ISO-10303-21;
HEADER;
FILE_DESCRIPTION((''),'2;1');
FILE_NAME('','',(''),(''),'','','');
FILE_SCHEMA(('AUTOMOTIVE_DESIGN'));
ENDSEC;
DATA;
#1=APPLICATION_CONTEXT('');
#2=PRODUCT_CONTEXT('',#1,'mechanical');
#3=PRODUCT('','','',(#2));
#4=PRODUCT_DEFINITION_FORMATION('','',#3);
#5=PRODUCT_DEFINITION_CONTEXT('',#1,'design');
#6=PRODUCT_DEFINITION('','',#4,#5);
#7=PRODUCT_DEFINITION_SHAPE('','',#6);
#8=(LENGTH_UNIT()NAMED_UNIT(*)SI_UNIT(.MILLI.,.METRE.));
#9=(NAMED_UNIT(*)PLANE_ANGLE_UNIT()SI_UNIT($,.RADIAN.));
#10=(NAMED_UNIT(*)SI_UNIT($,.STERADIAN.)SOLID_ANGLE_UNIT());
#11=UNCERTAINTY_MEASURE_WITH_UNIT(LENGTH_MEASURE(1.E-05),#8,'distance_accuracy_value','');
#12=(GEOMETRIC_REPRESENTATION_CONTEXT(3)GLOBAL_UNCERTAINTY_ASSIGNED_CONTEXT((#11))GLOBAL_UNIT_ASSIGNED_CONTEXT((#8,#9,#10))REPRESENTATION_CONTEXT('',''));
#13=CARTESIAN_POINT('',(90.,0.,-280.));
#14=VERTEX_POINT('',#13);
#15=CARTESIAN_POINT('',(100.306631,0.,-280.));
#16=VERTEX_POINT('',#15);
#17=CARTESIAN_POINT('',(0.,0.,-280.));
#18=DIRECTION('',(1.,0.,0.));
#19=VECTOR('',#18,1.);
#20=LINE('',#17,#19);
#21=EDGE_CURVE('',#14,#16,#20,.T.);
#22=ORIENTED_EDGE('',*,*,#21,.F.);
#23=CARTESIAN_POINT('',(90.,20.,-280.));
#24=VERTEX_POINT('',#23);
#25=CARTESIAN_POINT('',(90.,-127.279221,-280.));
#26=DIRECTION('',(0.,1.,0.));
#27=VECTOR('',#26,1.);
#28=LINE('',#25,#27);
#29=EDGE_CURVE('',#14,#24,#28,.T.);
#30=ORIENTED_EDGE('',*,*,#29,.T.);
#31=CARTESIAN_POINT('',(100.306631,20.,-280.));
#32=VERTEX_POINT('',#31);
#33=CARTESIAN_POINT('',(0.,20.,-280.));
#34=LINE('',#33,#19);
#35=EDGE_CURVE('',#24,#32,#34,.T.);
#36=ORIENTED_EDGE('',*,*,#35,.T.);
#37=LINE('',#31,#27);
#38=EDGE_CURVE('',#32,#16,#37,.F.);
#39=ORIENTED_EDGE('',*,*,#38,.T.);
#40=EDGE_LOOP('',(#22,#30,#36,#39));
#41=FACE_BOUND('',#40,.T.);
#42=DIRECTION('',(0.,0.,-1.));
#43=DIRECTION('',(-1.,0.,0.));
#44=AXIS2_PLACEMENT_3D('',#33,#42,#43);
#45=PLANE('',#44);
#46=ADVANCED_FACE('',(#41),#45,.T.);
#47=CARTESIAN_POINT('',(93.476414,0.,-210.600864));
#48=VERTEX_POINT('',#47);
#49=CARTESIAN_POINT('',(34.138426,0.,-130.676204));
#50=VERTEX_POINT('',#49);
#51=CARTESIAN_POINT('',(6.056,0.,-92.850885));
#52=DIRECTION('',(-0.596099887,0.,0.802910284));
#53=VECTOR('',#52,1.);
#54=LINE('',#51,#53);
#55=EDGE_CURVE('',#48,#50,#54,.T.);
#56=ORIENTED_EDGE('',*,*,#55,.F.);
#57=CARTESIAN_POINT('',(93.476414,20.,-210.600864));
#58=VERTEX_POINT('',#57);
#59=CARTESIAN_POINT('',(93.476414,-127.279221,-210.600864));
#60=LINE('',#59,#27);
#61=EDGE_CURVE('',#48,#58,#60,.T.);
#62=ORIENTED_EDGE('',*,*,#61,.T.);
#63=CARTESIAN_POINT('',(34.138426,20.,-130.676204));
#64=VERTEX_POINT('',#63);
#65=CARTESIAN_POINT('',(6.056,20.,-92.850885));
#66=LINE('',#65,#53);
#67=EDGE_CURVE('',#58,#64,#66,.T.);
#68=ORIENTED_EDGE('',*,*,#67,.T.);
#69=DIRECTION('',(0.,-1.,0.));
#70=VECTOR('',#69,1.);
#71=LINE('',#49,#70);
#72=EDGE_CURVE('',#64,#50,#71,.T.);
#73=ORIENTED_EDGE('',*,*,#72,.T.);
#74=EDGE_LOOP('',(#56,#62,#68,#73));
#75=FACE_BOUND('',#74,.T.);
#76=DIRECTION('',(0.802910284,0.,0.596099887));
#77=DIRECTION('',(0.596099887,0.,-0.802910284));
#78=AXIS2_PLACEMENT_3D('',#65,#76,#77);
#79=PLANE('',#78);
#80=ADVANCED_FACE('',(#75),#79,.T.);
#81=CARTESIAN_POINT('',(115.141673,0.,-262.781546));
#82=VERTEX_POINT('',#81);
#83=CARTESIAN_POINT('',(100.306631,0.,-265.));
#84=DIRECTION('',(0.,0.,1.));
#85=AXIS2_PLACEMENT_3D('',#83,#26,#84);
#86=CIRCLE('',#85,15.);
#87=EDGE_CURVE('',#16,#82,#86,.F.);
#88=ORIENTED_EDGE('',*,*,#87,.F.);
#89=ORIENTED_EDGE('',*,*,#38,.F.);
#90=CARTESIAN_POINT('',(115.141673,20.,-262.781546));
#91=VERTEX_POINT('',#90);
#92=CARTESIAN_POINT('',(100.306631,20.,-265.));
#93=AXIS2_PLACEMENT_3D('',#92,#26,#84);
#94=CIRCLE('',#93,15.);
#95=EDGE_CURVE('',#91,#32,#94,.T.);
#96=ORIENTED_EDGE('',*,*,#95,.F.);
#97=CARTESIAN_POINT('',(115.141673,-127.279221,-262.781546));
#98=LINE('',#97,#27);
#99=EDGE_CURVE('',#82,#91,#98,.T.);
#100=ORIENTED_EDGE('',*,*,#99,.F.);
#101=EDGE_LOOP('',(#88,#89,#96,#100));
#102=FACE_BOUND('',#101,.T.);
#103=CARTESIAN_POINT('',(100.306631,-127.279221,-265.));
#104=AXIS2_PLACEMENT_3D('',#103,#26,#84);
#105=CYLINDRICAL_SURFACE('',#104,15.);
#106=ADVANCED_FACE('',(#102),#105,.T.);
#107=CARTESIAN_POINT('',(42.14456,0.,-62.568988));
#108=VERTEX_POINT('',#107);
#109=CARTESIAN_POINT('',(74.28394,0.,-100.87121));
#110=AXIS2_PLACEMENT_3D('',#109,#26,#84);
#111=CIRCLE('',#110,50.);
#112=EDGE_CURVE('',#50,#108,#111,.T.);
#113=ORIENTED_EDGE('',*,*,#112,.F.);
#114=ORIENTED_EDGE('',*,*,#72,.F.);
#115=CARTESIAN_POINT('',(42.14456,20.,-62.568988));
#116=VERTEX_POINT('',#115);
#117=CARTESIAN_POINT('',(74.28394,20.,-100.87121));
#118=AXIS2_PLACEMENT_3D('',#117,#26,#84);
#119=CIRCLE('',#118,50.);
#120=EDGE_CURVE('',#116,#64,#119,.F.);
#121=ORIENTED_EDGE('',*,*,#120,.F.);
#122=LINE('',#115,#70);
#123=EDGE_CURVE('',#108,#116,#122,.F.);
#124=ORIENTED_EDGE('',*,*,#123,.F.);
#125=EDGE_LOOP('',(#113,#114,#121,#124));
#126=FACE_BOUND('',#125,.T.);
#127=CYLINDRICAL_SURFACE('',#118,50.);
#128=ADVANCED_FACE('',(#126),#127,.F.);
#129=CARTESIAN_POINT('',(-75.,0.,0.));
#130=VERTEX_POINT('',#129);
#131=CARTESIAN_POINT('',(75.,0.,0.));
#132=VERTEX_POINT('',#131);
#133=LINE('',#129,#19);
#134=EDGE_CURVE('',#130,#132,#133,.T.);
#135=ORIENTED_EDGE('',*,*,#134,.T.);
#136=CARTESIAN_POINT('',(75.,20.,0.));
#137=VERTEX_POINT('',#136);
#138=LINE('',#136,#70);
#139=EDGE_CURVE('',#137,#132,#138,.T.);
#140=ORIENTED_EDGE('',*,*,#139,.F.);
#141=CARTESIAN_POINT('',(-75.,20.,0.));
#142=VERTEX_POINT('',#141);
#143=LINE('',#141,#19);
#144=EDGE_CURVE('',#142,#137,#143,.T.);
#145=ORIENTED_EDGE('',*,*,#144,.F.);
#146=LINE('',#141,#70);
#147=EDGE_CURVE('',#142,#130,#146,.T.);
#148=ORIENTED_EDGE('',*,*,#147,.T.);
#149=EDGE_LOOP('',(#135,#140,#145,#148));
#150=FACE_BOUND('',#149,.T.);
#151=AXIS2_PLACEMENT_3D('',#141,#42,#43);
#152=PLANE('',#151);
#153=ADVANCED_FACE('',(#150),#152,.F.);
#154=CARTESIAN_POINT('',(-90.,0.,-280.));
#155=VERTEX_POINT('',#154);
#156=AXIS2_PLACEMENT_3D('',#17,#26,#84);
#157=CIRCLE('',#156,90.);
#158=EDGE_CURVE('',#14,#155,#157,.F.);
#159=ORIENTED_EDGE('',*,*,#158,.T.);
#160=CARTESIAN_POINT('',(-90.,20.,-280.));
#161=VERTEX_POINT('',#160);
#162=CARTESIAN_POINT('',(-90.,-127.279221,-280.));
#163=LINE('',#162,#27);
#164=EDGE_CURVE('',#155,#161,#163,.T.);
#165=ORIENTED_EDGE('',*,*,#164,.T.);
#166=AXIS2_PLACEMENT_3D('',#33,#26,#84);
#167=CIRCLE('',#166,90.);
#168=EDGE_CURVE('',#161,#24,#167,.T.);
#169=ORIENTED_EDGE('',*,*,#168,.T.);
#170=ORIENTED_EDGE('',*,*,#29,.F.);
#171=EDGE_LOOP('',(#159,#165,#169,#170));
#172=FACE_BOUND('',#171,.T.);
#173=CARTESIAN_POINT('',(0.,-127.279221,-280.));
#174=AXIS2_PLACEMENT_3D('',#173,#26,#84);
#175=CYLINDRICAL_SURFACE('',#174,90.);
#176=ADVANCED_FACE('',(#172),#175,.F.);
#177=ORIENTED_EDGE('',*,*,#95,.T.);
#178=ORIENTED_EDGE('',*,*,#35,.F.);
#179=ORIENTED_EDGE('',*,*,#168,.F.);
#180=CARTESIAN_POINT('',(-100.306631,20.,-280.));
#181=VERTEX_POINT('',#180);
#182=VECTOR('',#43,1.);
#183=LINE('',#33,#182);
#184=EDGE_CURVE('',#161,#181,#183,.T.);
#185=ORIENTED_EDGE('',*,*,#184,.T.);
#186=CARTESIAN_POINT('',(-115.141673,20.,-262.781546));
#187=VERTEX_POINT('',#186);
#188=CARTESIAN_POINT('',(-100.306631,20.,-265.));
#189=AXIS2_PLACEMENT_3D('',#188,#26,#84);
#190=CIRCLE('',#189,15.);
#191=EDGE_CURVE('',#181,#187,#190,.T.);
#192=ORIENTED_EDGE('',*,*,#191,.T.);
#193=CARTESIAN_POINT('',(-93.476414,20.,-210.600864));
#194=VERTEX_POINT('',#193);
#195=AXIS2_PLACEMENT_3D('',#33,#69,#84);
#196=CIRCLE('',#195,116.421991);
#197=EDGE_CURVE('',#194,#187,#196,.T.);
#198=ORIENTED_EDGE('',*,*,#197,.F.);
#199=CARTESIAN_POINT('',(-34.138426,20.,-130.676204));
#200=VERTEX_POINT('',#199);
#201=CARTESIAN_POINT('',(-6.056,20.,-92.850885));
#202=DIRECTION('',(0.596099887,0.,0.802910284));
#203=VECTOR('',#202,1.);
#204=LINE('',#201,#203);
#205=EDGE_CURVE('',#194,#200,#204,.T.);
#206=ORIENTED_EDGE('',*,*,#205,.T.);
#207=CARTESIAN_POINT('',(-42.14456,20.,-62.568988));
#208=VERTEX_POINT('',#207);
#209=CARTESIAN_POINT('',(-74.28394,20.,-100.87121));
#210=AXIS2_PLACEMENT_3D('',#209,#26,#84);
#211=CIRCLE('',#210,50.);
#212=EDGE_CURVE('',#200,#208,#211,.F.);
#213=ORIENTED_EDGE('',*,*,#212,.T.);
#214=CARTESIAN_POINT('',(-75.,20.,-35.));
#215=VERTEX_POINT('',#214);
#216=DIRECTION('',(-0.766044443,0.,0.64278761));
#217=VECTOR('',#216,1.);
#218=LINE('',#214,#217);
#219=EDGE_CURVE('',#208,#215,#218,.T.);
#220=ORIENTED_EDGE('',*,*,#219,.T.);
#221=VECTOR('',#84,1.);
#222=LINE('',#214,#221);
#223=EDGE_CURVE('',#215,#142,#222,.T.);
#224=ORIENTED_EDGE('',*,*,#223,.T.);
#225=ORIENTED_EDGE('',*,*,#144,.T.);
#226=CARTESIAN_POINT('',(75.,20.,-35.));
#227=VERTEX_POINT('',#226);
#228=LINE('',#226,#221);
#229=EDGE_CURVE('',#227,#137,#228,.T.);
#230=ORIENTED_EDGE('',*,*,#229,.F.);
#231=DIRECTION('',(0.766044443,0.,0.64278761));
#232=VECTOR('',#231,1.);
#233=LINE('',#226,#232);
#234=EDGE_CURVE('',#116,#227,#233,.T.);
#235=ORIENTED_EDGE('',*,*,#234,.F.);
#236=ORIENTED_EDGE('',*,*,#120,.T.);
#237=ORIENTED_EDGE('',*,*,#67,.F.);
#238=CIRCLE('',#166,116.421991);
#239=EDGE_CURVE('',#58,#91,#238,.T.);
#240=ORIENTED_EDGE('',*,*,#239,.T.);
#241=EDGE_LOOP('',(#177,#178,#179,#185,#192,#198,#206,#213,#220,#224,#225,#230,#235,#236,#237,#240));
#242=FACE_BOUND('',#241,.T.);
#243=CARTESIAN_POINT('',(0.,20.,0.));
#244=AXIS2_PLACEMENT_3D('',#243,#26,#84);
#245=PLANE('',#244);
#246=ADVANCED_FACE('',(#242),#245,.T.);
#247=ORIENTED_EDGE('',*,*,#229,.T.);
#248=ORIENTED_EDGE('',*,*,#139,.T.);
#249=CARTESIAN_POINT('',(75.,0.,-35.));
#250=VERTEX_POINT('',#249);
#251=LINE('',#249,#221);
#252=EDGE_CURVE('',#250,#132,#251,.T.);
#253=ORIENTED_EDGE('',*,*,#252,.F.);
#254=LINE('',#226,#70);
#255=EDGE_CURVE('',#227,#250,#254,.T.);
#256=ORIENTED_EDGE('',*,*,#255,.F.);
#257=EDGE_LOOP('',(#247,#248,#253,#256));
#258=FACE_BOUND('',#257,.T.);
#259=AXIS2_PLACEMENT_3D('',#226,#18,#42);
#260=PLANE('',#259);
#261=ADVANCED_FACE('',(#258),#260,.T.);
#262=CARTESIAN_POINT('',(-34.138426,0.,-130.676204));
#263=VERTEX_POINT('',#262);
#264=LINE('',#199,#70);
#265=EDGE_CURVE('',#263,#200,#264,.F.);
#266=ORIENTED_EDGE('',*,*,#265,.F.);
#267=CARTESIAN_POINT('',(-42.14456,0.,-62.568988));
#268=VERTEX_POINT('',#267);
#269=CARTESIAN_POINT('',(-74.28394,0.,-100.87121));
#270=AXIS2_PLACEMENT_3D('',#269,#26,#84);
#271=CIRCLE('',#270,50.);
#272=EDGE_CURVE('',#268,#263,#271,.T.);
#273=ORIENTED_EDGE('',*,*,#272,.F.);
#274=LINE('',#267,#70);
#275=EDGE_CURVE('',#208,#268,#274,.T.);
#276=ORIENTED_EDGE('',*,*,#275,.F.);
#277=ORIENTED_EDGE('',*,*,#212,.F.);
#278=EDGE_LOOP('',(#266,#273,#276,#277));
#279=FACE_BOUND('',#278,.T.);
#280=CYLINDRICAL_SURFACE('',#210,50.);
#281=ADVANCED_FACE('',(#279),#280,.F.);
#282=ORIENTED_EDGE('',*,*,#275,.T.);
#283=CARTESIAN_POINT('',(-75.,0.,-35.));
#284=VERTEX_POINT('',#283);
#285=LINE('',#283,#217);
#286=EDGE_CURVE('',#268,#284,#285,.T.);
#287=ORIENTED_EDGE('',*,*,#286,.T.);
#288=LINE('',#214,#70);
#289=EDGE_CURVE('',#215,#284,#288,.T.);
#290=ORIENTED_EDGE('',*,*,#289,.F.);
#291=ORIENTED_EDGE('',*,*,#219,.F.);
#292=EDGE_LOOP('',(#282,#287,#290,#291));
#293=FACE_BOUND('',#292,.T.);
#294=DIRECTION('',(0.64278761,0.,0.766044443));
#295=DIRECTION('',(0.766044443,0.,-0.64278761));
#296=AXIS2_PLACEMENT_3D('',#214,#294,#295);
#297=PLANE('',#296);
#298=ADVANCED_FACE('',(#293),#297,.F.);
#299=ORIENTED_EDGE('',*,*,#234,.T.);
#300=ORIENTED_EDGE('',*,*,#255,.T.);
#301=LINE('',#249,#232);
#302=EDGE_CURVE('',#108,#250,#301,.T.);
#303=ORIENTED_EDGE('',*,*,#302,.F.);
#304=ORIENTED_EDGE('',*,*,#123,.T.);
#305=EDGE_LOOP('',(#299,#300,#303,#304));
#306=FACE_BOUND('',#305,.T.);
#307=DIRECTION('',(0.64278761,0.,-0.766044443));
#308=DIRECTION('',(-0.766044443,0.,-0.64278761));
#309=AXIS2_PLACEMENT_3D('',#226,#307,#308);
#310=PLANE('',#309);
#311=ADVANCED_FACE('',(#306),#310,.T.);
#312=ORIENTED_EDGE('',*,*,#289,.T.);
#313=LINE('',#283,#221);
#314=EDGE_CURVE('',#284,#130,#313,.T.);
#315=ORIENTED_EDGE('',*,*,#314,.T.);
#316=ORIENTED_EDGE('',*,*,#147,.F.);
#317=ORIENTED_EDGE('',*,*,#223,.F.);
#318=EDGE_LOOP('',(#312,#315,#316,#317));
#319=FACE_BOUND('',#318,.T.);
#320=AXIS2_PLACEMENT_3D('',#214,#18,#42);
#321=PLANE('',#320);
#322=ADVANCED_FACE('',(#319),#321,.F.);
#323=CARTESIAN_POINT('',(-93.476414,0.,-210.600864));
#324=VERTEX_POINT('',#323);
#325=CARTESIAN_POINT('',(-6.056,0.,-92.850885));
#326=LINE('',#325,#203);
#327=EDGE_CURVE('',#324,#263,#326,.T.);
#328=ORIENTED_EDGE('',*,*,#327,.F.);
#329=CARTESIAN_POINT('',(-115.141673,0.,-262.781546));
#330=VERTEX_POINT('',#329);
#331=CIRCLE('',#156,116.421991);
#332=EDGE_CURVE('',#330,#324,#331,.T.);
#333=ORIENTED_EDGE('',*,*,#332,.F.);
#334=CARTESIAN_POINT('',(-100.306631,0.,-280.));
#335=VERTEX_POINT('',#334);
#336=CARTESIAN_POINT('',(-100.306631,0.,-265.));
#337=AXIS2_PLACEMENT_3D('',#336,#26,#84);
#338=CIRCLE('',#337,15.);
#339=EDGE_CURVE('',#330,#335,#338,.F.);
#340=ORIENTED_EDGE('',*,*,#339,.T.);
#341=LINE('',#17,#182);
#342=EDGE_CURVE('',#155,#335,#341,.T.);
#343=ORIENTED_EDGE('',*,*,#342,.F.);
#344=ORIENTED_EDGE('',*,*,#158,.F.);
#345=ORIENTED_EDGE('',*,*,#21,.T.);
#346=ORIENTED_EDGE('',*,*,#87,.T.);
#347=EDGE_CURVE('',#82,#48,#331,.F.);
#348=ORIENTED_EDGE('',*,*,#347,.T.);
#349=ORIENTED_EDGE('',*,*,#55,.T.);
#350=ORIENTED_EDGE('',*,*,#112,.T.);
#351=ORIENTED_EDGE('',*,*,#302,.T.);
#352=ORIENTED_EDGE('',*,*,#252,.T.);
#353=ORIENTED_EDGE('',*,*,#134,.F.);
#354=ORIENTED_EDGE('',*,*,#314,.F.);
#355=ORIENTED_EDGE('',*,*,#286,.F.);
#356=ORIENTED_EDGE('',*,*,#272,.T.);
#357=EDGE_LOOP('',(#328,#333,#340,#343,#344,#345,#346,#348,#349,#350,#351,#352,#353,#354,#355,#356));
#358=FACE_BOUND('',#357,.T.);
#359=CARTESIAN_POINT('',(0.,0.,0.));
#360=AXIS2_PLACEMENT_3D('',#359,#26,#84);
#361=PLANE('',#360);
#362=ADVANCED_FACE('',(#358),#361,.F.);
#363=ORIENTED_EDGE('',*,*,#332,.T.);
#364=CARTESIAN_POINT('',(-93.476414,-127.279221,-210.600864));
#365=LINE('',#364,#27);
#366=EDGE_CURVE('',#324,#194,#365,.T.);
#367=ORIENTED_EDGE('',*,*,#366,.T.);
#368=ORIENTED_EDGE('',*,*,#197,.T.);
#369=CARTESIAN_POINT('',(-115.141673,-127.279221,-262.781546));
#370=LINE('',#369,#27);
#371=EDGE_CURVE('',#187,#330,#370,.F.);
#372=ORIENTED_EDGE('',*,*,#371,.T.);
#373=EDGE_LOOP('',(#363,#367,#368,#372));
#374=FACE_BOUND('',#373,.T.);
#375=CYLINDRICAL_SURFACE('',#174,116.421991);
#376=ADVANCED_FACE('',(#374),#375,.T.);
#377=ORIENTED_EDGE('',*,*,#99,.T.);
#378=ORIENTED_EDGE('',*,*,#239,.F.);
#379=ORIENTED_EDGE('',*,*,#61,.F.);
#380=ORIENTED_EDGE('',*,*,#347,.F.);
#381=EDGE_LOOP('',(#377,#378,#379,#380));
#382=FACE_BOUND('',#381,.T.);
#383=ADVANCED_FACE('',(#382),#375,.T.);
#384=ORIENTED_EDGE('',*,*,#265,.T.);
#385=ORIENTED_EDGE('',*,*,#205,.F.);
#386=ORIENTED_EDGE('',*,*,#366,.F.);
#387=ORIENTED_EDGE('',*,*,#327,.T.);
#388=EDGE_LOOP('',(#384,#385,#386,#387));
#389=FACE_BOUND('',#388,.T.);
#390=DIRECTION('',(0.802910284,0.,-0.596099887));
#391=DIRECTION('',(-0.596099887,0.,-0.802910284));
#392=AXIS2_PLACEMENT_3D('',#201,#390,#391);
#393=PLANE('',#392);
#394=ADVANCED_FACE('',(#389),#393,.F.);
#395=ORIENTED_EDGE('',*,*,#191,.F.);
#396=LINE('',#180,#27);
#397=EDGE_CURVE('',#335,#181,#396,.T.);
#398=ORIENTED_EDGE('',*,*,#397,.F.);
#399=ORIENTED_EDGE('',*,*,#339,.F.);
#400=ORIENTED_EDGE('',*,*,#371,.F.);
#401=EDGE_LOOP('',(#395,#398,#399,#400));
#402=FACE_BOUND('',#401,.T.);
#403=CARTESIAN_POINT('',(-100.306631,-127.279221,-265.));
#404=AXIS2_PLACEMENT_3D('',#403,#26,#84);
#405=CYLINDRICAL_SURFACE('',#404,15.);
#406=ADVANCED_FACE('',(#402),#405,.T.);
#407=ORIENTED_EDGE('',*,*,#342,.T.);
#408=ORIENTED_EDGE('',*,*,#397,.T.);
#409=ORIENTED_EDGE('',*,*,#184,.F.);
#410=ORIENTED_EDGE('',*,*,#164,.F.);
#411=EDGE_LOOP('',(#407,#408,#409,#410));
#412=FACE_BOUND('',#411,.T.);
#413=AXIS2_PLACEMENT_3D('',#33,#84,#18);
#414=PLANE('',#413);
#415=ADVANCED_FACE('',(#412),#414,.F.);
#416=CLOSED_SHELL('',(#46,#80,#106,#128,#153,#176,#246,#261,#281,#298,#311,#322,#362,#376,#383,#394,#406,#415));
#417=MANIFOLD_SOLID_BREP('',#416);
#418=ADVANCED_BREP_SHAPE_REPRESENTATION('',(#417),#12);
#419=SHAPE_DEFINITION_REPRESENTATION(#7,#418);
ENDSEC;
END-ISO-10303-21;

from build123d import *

# Parameters (mm, degrees)
BOSS_EXTRUDE1_DEPTH  = 20
FILLET1_R            = 50
CUT_EXTRUDE3_DEPTH   = 20
FILLET3_R            = 15
FILLET1_OF_MIRROR2_R = 50
FILLET3_OF_MIRROR2_R = 15


with BuildPart() as part:
    # Sketch1 → Boss-Extrude1 (new body)
    with BuildSketch(Plane(origin=(0, 0, 0), x_dir=(1, 0, 0), z_dir=(0, 1, 0))):
        Polygon((-75, 35), (-75, 0), (0, 0), (0, 280), (-145, 280), (-6.056000119, 92.850884872), align=None)
    boss_extrude1 = extrude(amount=BOSS_EXTRUDE1_DEPTH)

    # Fillet1
    fillet1_edges = [part.edges().sort_by_distance(p)[0] for p in [
        (-6.056000119, 10, -92.850884872),
    ]]
    fillet(fillet1_edges, radius=FILLET1_R)

    # Sketch5 → Cut-Extrude3 (cut)
    with BuildSketch(Plane(origin=(0, 20, 0), x_dir=(1, 0, 0), z_dir=(0, 1, 0))):
        with BuildLine():
            Line((0, 190), (0, 280))
            Line((0, 280), (-90, 280))
            ThreePointArc((-90, 280), (-63.639610307, 216.360389693), (0, 190))
        make_face()
        with BuildLine():
            Line((-145, 280), (-93.476414041, 210.60086417))
            ThreePointArc((-93.476414041, 210.60086417), (-110.536849713, 243.452976984), (-116.421991204, 280))
            Line((-116.421991204, 280), (-145, 280))
        make_face()
    cut_extrude3 = extrude(amount=-CUT_EXTRUDE3_DEPTH, mode=Mode.SUBTRACT)

    # Fillet3
    fillet3_edges = [part.edges().sort_by_distance(p)[0] for p in [
        (-116.421991204, 10, -280),
    ]]
    fillet(fillet3_edges, radius=FILLET3_R)

    # Mirror2: Boss-Extrude1, Cut-Extrude3 across plane
    add(boss_extrude1.mirror(Plane(origin=(0, 20, 0), x_dir=(0, 0, 1), z_dir=(-1, 0, 0))))
    add(cut_extrude3.mirror(Plane(origin=(0, 20, 0), x_dir=(0, 0, 1), z_dir=(-1, 0, 0))), mode=Mode.SUBTRACT)

    # Fillet1 of Mirror2
    fillet1_of_mirror2_edges = [part.edges().sort_by_distance(p)[0] for p in [
        (6.056000119, 10, -92.850884872),
    ]]
    fillet(fillet1_of_mirror2_edges, radius=FILLET1_OF_MIRROR2_R)

    # Fillet3 of Mirror2
    fillet3_of_mirror2_edges = [part.edges().sort_by_distance(p)[0] for p in [
        (116.421991204, 10, -280),
    ]]
    fillet(fillet3_of_mirror2_edges, radius=FILLET3_OF_MIRROR2_R)


solid = part.part
